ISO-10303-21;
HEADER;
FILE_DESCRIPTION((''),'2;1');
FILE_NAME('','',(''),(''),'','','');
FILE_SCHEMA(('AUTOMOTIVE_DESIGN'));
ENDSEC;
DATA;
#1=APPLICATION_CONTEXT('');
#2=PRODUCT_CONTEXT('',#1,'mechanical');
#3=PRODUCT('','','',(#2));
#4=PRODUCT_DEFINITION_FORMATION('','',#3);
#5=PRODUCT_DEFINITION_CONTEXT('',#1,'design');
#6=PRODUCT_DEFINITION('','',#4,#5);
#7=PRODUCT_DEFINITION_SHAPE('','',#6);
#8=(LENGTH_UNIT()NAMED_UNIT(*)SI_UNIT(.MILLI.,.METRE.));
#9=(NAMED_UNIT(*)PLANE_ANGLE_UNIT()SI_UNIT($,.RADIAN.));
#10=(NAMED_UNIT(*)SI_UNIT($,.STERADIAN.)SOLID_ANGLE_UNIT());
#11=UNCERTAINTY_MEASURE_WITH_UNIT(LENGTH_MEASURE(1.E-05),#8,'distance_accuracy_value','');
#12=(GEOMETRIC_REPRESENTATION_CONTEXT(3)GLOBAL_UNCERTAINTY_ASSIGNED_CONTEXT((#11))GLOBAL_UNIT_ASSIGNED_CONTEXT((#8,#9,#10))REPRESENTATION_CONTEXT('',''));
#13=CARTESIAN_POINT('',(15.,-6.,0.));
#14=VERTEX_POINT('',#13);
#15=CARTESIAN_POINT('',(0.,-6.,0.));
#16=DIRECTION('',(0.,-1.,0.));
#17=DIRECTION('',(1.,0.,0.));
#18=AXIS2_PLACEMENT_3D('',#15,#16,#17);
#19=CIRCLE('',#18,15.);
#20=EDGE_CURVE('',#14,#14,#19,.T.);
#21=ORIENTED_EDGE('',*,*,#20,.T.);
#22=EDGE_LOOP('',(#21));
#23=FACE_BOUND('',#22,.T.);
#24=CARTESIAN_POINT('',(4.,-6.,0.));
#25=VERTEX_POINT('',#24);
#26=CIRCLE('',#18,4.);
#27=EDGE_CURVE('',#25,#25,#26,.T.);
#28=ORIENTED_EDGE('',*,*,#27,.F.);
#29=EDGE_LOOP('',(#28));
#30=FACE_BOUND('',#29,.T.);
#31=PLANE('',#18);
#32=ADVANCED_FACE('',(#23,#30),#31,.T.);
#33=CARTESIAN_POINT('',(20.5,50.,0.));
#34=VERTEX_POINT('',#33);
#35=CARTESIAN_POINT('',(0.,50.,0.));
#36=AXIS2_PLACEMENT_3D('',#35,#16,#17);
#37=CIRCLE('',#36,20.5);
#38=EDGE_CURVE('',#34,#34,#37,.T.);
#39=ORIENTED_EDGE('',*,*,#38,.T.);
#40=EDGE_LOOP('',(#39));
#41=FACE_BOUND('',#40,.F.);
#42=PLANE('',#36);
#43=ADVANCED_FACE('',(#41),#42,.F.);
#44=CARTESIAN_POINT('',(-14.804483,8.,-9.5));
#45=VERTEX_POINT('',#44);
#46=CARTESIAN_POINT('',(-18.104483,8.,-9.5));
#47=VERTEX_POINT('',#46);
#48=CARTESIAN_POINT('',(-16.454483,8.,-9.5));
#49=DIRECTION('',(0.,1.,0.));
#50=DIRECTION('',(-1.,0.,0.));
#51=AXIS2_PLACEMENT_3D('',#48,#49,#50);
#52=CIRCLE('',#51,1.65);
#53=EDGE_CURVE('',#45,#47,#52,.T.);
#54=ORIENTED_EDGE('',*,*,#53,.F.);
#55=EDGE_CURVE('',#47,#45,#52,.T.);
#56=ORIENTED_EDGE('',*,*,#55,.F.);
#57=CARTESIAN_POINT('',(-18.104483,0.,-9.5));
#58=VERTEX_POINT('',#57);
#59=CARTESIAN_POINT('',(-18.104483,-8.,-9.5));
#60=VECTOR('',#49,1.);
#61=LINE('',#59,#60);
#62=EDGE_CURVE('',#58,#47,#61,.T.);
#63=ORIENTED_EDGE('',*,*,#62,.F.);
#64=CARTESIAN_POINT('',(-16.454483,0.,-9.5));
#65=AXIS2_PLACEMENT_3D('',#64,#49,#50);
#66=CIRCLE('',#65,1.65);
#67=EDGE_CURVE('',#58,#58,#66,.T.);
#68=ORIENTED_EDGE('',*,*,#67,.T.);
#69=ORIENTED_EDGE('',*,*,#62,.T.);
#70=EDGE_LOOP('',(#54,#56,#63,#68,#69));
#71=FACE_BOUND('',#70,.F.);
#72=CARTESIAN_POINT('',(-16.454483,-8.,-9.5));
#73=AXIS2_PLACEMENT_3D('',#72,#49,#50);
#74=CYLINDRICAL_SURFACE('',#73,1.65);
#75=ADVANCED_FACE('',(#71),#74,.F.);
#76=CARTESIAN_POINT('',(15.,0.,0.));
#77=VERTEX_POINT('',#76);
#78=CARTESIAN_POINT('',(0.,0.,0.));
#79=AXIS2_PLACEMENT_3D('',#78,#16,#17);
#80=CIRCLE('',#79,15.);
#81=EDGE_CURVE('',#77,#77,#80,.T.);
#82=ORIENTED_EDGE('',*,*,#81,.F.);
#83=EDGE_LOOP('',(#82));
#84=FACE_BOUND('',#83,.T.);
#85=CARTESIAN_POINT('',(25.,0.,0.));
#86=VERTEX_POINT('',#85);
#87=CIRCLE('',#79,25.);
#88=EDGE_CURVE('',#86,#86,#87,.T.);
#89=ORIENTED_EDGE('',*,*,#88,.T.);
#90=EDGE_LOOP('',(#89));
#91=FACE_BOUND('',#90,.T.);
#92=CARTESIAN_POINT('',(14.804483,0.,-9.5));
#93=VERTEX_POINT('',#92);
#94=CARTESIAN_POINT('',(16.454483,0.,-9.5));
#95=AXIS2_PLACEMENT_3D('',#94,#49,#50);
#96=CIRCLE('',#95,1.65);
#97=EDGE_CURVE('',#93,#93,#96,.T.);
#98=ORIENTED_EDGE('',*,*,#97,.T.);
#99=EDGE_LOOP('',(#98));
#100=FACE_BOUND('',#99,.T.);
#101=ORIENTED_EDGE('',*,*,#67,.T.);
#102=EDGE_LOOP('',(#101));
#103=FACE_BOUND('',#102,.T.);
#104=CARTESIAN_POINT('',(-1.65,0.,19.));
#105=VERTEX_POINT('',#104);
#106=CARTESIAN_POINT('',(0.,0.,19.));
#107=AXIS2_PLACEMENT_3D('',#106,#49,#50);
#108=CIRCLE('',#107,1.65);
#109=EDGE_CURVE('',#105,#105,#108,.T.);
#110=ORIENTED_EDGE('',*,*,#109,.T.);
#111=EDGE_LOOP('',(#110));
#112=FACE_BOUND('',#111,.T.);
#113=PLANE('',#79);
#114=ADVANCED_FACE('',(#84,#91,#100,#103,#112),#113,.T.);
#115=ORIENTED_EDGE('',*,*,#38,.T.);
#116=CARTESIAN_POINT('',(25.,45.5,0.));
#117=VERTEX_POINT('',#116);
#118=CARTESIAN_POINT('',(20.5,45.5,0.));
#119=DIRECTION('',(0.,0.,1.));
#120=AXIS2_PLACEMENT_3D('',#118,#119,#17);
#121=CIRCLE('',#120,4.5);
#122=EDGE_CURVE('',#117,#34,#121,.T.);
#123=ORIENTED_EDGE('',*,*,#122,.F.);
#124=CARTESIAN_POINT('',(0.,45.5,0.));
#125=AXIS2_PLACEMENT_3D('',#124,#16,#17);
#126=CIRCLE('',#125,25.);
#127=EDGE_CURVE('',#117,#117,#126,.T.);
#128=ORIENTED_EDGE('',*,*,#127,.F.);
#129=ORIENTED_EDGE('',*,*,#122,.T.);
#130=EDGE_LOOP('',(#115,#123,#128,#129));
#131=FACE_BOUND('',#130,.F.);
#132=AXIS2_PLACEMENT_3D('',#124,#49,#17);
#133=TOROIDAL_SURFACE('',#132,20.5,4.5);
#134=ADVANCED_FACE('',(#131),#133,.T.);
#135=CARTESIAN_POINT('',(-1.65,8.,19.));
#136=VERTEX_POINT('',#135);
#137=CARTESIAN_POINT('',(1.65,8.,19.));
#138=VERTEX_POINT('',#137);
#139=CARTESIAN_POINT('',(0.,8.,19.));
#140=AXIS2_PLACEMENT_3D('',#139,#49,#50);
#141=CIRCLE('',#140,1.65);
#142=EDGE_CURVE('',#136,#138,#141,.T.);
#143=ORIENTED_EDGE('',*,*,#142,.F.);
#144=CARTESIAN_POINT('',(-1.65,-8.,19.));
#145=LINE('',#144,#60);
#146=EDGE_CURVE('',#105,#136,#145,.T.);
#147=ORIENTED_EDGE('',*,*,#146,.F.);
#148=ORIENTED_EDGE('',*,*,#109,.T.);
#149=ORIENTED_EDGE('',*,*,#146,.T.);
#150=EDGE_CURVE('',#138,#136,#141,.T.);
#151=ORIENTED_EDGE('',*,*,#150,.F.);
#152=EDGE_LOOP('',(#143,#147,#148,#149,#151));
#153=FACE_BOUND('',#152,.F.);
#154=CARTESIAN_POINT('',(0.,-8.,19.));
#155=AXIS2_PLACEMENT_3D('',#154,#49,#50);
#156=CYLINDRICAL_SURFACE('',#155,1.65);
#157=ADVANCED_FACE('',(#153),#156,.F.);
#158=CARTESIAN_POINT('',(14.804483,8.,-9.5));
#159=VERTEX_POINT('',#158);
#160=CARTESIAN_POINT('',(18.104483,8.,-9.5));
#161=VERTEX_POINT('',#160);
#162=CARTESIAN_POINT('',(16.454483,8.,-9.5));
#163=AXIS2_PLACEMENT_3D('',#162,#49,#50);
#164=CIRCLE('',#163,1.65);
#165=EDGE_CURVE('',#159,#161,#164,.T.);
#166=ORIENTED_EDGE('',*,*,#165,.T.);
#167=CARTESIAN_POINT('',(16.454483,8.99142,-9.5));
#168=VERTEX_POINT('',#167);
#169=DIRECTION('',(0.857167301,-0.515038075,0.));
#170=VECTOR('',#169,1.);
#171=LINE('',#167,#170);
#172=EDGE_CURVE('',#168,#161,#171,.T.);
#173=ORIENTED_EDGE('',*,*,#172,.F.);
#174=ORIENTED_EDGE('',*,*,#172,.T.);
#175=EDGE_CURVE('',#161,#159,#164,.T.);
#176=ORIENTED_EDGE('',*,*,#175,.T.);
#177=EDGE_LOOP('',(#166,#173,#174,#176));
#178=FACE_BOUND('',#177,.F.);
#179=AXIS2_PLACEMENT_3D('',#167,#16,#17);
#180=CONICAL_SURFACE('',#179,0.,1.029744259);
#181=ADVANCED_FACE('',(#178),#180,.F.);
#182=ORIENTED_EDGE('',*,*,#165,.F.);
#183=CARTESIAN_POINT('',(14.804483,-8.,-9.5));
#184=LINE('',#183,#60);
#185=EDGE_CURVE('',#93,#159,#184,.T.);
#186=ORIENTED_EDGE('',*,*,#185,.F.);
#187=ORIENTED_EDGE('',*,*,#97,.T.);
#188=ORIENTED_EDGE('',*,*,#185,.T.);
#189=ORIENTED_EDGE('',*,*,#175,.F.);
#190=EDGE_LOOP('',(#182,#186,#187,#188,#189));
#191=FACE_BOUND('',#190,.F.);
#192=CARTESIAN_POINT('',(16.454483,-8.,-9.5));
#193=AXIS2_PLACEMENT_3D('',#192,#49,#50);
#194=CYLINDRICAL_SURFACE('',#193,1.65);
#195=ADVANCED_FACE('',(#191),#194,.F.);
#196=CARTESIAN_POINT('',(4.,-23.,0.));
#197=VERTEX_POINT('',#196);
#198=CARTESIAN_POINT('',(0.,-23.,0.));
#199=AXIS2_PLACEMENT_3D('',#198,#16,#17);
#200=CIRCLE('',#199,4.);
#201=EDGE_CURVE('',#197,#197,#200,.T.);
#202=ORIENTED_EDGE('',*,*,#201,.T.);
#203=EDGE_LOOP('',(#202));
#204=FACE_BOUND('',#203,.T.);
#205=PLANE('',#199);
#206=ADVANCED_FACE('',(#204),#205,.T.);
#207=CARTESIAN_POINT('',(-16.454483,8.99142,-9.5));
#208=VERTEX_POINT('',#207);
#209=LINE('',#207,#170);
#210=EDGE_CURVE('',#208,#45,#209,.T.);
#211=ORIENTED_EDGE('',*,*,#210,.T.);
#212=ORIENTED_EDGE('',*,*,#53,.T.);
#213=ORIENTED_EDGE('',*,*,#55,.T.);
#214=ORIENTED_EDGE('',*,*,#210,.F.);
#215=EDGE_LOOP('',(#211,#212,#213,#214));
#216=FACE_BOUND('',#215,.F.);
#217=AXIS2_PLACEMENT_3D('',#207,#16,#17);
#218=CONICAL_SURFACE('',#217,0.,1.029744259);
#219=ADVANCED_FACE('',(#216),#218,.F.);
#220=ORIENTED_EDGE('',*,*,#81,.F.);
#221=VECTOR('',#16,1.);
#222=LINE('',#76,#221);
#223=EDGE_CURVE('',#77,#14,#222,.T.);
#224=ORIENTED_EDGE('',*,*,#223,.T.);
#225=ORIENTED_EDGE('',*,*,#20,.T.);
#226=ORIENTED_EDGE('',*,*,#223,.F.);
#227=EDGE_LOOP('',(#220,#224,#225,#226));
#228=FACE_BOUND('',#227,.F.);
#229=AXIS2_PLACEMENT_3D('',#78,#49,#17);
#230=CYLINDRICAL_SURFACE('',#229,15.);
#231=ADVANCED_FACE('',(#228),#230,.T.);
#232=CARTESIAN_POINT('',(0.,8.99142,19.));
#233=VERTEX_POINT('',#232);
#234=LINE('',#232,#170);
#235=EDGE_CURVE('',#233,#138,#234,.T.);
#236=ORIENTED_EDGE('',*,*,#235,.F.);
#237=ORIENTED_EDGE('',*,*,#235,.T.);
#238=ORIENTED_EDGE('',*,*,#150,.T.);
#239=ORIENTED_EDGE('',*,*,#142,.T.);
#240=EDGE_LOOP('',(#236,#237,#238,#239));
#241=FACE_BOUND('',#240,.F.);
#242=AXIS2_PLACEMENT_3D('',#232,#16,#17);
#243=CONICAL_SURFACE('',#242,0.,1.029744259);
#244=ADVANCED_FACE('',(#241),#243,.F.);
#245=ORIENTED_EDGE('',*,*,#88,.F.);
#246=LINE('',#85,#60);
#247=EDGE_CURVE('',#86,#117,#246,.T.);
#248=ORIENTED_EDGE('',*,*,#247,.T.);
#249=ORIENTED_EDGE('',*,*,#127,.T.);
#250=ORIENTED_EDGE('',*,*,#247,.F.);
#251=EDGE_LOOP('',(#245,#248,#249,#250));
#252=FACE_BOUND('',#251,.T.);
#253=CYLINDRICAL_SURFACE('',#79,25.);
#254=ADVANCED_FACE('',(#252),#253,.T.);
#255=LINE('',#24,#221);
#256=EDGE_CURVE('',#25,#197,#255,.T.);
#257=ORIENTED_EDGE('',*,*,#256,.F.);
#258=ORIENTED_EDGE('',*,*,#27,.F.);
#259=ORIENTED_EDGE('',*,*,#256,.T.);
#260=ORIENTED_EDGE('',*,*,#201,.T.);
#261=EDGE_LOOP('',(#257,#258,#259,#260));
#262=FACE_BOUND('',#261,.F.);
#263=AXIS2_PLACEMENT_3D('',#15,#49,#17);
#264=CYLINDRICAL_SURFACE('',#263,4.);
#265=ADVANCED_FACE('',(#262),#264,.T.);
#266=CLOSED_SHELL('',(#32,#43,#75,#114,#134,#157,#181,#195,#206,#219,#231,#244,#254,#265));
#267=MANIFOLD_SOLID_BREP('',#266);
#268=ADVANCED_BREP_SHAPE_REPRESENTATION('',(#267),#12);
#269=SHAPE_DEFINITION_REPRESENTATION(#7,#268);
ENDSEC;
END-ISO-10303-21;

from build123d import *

# Parameters (mm, degrees)
F0_R     = 25
F1_DEPTH = 50
F2_R     = 4.5
F3_R     = 15
F4_DEPTH = 6
F5_D     = 3.3
F5_DEPTH = 8
F5_TIP   = 0.9914200214
F6_R     = 4
F7_DEPTH = 17


with BuildPart() as f1:
    # F0 (on Front) → F1 (new body)
    with BuildSketch(Plane.XZ):
        Circle(F0_R)
    extrude(amount=-F1_DEPTH)

    # F2
    f2_edges = [f1.edges().sort_by_distance(p)[0] for p in [
        (-25, 50, 0),
    ]]
    fillet(f2_edges, radius=F2_R)

    # F3 (on face) → F4 (join)
    with BuildSketch(Plane.XZ):
        Circle(F3_R)
    extrude(amount=F4_DEPTH)

    # F5
    with Locations(Plane.XZ):
        with Locations((0, 19), (-16.4544826719, -9.5), (16.4544826719, -9.5)):
            Hole(F5_D / 2, depth=F5_DEPTH)
            with Locations((0, 0, -(F5_DEPTH + F5_TIP / 2))):  # 118° drill point
                Cone(0, F5_D / 2, F5_TIP, mode=Mode.SUBTRACT)

    # F6 (on face) → F7 (join)
    with BuildSketch(Plane.XZ.offset(6)):
        Circle(F6_R)
    extrude(amount=F7_DEPTH)


solid = f1.part
